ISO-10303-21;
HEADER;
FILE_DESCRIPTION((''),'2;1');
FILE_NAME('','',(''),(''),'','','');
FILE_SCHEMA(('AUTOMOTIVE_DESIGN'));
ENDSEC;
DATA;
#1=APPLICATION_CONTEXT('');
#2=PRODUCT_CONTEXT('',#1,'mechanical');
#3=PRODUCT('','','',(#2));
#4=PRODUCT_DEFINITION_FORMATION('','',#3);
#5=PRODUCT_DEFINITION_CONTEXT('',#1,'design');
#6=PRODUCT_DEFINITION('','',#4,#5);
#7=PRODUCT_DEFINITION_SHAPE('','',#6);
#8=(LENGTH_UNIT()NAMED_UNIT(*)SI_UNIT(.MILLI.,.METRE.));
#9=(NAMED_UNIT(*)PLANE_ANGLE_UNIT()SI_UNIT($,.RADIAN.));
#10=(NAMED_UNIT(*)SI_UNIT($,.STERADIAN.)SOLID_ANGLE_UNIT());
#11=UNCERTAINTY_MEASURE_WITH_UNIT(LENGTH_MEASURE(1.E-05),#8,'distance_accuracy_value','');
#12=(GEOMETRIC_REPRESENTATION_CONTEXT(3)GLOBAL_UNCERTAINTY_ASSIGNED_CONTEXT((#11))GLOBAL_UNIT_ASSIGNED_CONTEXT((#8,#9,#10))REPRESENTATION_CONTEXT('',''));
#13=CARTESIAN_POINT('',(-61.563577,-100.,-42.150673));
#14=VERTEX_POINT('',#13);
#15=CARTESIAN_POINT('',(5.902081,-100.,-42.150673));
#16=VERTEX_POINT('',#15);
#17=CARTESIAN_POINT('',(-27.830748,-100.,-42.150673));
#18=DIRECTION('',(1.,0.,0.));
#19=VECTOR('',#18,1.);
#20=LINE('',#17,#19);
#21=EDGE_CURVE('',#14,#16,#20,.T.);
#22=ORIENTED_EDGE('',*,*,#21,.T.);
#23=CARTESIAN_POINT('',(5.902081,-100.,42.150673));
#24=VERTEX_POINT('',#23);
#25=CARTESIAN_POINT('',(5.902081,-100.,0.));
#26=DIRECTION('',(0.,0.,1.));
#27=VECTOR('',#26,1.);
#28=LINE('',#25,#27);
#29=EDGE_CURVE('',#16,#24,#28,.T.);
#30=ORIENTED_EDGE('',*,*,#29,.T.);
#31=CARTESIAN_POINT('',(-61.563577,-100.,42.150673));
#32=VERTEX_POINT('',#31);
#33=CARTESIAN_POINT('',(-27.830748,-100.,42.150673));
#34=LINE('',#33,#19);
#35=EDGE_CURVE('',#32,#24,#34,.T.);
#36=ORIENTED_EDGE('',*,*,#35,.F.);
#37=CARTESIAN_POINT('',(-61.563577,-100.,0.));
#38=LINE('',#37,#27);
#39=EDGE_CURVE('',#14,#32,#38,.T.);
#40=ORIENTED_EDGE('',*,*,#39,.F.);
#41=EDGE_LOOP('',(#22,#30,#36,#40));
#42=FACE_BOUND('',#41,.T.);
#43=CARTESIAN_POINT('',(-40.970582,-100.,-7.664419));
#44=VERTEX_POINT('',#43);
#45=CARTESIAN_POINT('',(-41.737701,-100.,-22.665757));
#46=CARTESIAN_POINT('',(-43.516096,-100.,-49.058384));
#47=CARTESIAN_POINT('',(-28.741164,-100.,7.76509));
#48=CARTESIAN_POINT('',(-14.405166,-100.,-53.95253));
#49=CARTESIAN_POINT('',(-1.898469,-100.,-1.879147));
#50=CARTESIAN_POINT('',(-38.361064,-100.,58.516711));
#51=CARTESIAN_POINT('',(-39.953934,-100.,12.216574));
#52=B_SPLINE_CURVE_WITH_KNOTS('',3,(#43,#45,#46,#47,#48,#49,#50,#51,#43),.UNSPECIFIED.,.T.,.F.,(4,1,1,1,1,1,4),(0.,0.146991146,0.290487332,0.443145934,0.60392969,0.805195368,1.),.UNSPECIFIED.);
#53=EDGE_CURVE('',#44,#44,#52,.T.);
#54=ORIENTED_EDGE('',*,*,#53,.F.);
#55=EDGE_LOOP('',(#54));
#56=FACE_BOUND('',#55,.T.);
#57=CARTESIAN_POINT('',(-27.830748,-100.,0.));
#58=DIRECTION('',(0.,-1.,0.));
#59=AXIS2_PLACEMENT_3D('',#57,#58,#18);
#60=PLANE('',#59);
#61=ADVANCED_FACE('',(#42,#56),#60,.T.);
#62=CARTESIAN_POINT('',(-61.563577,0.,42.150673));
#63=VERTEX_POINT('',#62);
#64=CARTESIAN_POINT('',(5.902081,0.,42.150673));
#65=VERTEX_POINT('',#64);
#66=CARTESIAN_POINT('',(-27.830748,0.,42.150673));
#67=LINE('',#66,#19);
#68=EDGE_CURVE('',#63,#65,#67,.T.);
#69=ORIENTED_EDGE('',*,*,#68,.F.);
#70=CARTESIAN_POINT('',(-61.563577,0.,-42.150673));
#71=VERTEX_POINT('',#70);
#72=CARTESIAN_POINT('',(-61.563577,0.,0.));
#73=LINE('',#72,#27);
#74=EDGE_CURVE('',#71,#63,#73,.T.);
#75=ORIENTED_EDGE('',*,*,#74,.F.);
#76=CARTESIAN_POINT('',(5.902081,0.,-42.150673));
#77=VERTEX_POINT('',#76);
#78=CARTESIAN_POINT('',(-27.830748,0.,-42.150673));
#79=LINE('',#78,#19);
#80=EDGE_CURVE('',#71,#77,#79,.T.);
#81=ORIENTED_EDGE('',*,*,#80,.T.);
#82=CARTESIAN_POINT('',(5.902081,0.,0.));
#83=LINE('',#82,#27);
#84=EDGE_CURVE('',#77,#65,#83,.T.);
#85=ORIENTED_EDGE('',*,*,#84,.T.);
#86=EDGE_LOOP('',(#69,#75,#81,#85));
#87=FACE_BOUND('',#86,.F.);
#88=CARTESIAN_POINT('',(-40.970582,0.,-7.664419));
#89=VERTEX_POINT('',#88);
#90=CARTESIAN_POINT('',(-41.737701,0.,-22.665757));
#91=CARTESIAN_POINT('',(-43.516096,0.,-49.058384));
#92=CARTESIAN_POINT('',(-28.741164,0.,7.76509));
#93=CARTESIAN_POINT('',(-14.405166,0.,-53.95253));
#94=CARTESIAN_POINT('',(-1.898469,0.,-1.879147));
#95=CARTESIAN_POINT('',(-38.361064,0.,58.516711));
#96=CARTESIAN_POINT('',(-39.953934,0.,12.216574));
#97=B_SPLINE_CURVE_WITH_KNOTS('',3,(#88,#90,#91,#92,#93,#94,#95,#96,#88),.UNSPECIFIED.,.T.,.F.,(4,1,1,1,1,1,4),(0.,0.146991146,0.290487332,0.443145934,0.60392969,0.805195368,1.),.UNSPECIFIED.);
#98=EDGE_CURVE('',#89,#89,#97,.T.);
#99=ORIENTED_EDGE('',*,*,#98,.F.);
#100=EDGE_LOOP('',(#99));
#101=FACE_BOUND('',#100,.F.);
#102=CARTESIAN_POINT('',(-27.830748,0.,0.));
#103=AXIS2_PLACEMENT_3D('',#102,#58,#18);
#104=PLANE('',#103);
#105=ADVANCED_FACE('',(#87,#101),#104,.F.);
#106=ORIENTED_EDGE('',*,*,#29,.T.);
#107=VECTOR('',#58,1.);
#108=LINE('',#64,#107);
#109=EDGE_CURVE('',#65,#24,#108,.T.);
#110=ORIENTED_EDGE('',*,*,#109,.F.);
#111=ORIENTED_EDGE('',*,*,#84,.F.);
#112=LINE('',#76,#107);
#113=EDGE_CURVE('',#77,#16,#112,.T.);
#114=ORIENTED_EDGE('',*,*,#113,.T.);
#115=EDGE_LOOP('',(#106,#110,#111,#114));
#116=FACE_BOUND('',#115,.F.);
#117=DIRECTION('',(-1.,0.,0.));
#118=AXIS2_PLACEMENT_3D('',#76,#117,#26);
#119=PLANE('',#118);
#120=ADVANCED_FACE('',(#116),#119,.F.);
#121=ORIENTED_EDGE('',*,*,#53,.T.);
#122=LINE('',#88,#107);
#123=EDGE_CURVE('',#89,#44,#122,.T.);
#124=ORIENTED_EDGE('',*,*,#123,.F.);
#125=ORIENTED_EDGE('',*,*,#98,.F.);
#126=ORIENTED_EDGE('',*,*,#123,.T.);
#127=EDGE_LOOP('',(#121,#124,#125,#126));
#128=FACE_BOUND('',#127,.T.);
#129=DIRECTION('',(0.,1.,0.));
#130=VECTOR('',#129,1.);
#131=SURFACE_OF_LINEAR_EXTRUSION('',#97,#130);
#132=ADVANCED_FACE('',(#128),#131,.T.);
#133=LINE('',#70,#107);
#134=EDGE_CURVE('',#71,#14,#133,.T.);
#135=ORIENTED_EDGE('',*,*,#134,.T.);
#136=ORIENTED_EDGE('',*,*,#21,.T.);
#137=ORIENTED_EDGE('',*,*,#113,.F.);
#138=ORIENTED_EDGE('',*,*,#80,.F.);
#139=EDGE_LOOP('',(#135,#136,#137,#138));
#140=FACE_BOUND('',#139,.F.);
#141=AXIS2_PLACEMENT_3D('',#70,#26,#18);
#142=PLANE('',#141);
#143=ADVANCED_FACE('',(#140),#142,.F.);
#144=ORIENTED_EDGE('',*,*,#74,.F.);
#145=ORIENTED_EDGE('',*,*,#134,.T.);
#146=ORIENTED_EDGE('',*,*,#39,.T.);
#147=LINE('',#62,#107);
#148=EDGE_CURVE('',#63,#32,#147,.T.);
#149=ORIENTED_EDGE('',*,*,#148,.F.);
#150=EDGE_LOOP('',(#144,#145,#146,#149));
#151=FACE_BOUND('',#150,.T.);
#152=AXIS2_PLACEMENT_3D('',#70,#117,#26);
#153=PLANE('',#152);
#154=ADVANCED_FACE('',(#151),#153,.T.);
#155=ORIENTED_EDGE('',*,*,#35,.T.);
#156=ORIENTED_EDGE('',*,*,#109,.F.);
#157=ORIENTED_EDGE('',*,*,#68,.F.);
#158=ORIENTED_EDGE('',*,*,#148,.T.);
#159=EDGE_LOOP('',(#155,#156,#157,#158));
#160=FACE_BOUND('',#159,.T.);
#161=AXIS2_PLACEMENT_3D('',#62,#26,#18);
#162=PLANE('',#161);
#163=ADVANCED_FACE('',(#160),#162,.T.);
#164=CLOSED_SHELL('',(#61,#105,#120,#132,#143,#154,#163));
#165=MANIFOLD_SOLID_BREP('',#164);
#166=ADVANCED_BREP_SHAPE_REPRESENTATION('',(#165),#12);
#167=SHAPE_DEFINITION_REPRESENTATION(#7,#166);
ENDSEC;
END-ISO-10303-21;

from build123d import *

# Parameters (mm, degrees)
F0_W     = 67.4656573683
F0_H     = 84.3013450503
F1_DEPTH = 100


with BuildPart() as f1:
    # F0 (on Front) → F1 (new body)
    with BuildSketch(Plane.XZ):
        with Locations((-27.8307478875, 0)):
            Rectangle(F0_W, F0_H)
        with BuildLine():
            add(Edge.make_bspline(
                [(-40.9705821726, -7.664419477), (-41.7377009658, -22.6657565654), (-43.5160956684, -49.0583842812), (-28.7411644845, 7.765089669), (-14.405165886, -53.9525302952), (-1.8984685561, -1.8791473226), (-38.3610637232, 58.5167113027), (-39.953933904, 12.2165735514), (-40.9705821726, -7.664419477)],
                knots=[0, 0, 0, 0, 0.1469911459, 0.2904873317, 0.4431459339, 0.6039296896, 0.8051953682, 1, 1, 1, 1], degree=3))
        make_face(mode=Mode.SUBTRACT)
    extrude(amount=F1_DEPTH)


solid = f1.part
